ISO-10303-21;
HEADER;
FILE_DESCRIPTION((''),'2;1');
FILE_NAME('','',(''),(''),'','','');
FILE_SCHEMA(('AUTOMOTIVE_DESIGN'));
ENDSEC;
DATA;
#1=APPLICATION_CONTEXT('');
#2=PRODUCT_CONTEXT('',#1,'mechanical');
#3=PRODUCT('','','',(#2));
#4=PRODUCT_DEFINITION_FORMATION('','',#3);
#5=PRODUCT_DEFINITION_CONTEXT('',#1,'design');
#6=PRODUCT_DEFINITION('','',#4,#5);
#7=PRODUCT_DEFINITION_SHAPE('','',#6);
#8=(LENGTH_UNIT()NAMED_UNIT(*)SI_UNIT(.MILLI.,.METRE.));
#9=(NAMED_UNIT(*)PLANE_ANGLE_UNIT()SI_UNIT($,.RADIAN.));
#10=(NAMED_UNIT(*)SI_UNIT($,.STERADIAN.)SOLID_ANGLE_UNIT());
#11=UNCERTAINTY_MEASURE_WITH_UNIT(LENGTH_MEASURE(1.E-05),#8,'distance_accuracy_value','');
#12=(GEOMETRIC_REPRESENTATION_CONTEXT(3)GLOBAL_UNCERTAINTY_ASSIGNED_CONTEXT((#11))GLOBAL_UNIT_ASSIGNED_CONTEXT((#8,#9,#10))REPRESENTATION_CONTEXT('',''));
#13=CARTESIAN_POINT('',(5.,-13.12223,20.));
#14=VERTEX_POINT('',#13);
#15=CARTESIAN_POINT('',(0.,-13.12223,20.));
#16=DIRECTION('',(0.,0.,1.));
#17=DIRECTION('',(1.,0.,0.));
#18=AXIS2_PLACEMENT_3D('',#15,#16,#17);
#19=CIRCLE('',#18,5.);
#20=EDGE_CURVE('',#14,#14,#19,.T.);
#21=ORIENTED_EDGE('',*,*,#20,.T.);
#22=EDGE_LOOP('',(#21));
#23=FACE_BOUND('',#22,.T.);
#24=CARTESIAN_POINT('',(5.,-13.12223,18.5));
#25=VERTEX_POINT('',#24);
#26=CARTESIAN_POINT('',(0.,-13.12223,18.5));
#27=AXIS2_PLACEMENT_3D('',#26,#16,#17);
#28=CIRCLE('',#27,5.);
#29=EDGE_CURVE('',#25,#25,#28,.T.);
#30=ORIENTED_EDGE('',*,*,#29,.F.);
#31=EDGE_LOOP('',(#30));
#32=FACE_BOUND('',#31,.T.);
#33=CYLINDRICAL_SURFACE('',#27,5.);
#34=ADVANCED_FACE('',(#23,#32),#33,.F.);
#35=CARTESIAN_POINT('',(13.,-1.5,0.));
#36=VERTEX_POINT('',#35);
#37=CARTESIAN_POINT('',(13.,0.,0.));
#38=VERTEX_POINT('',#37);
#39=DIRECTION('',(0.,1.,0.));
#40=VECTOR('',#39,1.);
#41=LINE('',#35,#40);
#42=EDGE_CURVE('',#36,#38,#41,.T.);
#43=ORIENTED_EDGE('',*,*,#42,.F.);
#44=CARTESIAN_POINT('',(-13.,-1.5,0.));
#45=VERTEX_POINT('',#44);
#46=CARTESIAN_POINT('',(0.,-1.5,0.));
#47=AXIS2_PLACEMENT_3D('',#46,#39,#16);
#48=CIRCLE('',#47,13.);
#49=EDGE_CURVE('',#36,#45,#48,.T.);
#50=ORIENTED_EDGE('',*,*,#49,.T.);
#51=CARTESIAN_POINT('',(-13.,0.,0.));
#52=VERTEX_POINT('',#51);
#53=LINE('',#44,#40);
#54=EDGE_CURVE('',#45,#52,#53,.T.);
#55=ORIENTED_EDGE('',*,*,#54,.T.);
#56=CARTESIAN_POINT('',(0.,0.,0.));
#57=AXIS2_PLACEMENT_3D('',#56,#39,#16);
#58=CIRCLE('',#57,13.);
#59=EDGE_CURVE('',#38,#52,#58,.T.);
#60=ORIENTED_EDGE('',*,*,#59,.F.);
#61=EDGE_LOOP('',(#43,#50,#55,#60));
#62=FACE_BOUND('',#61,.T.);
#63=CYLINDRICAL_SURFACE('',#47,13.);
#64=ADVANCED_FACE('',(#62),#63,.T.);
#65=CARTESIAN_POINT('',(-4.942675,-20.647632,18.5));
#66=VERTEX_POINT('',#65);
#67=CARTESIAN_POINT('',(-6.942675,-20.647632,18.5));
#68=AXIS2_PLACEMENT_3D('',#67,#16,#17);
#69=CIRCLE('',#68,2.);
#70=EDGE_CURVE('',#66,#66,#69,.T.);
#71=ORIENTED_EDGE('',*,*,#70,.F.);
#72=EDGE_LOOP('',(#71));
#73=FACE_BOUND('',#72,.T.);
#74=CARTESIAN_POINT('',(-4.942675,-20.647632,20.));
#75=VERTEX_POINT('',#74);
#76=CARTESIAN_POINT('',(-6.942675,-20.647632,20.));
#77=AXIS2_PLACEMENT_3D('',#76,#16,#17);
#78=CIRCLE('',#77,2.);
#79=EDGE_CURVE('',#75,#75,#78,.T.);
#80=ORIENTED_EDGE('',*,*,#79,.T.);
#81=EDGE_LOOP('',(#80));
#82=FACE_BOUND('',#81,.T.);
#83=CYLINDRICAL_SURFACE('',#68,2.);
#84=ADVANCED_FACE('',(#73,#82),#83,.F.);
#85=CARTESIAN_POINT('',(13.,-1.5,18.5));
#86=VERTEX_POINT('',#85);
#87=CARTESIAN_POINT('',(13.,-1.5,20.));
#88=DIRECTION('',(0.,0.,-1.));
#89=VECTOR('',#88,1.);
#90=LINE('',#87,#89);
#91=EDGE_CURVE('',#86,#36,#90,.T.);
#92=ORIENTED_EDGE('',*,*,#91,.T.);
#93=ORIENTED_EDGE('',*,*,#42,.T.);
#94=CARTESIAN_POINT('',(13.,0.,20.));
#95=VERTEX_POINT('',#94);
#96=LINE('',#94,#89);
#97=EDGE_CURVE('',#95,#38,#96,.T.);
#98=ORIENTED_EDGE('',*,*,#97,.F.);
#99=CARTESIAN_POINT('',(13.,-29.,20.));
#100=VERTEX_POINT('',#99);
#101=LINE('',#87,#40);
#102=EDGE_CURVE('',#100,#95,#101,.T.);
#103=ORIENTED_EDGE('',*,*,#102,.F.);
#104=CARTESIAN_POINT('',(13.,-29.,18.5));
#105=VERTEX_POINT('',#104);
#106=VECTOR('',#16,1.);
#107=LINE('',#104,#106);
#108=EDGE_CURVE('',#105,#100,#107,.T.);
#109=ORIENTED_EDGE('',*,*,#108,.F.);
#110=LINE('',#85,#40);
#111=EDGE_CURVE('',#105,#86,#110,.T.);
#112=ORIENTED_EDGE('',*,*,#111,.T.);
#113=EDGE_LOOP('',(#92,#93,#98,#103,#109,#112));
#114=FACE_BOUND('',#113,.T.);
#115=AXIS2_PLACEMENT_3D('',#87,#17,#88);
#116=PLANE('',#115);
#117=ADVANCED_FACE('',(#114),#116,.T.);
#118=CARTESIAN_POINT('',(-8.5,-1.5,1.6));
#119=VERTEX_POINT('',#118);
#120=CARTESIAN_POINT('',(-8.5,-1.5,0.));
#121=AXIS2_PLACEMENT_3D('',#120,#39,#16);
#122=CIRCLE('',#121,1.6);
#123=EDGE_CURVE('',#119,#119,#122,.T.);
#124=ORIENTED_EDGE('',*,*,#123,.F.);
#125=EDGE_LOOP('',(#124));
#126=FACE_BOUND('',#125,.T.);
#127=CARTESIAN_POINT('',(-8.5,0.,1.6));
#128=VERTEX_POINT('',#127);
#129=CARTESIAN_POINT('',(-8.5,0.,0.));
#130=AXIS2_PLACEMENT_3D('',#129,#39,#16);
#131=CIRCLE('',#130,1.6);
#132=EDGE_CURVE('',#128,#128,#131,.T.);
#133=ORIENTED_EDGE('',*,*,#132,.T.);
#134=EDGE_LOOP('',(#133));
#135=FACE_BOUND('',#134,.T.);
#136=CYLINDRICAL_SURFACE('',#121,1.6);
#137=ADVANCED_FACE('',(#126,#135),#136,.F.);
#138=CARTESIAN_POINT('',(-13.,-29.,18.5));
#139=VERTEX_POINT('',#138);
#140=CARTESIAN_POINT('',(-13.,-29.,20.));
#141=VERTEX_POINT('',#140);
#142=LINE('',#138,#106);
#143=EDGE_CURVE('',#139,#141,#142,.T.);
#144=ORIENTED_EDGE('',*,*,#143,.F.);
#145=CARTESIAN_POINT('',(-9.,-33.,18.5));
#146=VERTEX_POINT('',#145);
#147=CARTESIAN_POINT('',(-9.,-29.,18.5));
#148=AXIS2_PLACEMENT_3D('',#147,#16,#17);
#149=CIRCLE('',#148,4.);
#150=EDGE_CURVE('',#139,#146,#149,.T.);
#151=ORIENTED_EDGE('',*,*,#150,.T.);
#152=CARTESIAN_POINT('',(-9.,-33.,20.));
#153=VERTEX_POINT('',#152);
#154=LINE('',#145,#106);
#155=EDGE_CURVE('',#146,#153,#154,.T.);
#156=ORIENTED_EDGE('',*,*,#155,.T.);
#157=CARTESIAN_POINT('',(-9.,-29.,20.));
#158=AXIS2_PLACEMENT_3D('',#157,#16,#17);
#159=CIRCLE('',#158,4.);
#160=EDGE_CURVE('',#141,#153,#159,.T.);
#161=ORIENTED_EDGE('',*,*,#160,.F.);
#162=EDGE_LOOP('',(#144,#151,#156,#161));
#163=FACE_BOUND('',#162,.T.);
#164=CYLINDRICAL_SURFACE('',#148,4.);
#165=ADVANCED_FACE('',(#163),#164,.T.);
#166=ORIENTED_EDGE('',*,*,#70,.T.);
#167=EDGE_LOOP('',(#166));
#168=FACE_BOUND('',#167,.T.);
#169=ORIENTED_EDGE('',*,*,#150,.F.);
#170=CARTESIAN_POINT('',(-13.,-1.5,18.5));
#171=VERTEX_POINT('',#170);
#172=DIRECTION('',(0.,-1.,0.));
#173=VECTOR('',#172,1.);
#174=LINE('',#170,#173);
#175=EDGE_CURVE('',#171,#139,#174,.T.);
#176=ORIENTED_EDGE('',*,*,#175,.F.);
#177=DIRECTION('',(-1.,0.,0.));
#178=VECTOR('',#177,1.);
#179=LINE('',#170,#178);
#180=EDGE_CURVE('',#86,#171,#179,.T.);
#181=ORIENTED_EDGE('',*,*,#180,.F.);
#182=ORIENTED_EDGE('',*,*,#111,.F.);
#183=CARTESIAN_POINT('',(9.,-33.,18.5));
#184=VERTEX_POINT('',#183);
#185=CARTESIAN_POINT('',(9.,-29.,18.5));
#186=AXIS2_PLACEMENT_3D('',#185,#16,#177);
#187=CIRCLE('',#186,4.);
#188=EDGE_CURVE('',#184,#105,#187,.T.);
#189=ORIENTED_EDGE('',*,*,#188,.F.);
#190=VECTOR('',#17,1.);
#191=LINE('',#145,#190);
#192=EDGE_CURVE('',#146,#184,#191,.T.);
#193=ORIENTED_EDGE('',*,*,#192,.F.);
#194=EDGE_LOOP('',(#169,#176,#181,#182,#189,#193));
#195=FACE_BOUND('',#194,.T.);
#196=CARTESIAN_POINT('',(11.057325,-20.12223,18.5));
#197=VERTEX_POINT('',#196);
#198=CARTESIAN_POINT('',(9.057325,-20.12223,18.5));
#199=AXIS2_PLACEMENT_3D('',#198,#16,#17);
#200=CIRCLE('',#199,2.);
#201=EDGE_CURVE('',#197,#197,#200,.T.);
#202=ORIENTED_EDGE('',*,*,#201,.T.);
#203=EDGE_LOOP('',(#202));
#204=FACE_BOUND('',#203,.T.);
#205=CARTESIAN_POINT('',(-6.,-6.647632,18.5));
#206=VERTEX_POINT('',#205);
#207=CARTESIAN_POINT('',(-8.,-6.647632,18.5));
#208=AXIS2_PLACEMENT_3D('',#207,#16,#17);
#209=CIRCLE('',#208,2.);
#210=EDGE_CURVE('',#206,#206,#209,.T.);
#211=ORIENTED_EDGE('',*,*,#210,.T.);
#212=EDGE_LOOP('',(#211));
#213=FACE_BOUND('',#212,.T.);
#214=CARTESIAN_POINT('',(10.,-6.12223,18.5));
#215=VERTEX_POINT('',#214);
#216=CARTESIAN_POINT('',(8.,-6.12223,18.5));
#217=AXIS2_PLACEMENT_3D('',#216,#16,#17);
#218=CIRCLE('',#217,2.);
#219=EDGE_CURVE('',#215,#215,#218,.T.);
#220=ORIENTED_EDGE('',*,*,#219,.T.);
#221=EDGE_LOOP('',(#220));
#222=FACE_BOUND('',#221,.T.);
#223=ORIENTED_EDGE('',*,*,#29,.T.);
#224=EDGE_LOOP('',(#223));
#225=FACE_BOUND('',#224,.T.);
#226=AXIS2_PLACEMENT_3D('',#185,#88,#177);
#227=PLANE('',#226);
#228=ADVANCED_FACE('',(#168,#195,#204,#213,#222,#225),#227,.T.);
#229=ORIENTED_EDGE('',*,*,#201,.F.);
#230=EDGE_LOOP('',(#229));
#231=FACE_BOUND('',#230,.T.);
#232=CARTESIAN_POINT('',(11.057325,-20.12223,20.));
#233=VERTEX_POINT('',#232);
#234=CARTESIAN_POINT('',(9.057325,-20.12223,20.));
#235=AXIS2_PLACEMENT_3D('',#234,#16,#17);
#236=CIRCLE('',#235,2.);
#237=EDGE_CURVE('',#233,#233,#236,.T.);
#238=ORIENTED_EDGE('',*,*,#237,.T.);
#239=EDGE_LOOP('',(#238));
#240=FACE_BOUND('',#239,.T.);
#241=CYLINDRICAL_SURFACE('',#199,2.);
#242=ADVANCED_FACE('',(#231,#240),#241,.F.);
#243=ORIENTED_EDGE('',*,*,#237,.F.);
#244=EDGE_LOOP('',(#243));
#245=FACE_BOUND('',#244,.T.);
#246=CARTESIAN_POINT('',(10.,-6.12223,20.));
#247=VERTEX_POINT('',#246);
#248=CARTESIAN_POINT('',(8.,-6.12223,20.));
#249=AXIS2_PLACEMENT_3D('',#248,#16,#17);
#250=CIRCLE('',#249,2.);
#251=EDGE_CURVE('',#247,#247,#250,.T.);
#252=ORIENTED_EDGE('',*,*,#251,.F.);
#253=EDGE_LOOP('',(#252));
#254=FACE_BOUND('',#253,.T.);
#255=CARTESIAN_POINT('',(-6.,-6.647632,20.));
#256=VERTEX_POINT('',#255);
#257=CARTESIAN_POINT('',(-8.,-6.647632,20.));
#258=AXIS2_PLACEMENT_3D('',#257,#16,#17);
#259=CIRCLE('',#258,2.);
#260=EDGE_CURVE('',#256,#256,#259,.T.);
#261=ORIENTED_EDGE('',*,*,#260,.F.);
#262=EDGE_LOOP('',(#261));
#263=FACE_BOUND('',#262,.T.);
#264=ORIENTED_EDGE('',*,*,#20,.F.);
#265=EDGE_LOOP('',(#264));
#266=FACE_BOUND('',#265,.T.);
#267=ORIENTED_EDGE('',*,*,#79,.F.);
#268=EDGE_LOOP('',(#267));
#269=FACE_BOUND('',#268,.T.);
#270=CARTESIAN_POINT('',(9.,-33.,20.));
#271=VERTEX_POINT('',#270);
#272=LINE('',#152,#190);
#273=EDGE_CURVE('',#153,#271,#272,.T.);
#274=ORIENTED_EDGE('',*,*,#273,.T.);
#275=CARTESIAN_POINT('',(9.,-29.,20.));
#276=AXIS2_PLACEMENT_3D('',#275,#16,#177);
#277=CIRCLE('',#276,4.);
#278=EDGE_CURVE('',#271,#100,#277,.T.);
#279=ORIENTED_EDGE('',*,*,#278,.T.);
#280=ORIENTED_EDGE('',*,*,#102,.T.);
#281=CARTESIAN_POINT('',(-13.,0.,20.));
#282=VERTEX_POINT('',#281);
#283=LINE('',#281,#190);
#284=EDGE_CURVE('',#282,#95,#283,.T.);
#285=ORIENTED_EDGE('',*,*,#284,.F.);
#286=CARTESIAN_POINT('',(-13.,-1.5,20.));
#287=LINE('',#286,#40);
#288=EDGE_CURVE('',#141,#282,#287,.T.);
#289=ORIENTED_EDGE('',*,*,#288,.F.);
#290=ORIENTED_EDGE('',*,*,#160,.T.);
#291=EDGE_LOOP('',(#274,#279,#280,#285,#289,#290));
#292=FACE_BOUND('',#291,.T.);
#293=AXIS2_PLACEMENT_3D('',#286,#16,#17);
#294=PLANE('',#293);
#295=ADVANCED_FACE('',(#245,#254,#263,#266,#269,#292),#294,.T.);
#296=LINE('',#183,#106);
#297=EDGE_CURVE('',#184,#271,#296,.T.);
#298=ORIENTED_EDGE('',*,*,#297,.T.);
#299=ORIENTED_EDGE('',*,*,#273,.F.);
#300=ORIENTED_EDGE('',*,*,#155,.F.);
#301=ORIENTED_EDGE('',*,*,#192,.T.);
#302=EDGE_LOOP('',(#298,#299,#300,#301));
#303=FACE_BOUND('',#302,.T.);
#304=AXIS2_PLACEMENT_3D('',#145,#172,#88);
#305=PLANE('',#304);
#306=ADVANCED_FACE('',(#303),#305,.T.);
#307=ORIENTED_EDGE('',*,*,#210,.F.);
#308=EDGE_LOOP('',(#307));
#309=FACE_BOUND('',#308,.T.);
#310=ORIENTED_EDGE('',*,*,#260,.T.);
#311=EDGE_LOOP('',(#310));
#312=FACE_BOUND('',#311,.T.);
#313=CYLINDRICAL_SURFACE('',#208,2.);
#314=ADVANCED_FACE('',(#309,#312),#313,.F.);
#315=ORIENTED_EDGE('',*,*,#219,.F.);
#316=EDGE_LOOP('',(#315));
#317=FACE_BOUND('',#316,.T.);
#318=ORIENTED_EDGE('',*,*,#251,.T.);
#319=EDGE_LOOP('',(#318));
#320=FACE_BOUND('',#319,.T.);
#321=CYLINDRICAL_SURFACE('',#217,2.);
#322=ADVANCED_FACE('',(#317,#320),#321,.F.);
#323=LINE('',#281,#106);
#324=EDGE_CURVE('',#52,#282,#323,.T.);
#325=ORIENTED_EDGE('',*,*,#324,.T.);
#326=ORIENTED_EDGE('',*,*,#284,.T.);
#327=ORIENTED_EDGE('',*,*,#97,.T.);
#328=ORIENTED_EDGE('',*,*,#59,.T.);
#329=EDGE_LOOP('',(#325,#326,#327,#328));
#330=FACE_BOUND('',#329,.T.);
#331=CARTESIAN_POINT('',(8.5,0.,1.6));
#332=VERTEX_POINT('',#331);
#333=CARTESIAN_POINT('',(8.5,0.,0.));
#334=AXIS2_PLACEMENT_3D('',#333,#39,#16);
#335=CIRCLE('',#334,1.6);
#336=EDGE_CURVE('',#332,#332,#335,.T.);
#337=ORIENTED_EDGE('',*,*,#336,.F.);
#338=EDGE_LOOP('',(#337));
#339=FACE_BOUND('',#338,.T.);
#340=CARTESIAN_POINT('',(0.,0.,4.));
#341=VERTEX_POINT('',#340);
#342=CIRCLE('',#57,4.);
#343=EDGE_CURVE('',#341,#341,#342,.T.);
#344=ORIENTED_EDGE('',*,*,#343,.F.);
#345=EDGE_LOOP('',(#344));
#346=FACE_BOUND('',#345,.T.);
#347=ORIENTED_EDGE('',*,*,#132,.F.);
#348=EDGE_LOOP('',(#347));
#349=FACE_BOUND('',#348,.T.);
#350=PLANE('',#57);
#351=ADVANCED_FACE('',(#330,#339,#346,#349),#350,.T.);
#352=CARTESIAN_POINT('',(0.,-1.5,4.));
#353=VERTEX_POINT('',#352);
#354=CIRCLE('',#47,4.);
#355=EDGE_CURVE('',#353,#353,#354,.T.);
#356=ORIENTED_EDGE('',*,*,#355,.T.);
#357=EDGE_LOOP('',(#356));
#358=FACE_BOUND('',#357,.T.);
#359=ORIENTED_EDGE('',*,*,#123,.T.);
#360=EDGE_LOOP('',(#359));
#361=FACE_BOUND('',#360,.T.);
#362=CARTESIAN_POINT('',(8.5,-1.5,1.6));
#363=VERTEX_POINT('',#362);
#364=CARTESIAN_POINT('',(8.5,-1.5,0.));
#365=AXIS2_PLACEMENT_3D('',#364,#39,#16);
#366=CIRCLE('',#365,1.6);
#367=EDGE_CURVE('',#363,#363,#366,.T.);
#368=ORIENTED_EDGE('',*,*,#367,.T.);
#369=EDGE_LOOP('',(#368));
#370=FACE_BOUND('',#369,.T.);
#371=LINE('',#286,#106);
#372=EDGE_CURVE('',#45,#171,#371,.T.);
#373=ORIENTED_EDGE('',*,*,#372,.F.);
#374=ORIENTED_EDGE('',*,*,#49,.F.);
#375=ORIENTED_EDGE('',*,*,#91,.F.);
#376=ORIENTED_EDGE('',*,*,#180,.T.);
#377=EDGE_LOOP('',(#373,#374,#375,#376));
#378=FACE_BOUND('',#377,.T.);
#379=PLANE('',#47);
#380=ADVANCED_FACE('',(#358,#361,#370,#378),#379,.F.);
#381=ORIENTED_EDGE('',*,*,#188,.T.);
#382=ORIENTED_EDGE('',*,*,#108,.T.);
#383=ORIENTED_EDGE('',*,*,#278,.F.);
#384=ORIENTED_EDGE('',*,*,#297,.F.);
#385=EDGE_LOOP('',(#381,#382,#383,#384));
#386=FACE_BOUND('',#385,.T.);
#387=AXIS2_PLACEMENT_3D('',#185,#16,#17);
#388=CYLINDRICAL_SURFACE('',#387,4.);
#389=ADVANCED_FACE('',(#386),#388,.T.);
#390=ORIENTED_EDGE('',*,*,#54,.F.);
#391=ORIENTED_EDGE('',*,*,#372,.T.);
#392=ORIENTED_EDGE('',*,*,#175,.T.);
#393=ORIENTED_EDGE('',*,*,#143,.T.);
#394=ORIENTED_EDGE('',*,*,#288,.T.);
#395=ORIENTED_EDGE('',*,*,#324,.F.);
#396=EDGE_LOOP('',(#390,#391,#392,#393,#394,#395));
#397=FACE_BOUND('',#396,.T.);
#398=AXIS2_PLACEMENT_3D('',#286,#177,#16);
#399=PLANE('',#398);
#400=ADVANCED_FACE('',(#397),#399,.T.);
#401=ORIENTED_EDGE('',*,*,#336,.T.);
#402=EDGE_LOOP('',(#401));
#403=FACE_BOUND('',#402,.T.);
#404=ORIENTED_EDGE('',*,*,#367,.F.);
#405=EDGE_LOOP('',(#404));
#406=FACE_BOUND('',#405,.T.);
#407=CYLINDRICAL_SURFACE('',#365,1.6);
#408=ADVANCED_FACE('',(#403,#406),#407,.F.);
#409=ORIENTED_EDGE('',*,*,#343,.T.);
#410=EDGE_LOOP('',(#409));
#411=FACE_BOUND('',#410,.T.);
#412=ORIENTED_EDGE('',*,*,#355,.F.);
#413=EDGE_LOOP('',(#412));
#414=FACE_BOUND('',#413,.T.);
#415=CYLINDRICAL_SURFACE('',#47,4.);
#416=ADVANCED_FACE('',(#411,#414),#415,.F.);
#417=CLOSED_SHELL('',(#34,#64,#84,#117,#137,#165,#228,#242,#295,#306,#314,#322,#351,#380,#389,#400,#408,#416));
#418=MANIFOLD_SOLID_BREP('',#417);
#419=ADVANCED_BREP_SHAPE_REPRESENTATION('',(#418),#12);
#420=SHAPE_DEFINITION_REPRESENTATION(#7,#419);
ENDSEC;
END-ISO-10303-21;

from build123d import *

# Parameters (mm, degrees)
SKETCH1_R           = 4
SKETCH1_R_2         = 1.6
BOSS_EXTRUDE1_DEPTH = 1.5
SKETCH2_R           = 5
SKETCH2_R_2         = 2
BOSS_EXTRUDE2_DEPTH = 1.5


with BuildPart() as part:
    # Sketch1 → Boss-Extrude1 (new body)
    with BuildSketch(Plane(origin=(0, 0, 0), x_dir=(1, 0, 0), z_dir=(0, 1, 0))):
        with BuildLine():
            Line((-13, -20), (-13, 0))
            ThreePointArc((-13, 0), (0, 13), (13, 0))
            Line((13, 0), (13, -20))
            Line((13, -20), (-13, -20))
        make_face()
        with Locations(Location((0, 0, 0), (0, 0, 270))):
            Circle(SKETCH1_R, mode=Mode.SUBTRACT)
        with Locations(Location((8.5, 0, 0), (0, 0, 270))):
            Circle(SKETCH1_R_2, mode=Mode.SUBTRACT)
        with Locations(Location((-8.5, 0, 0), (0, 0, 270))):
            Circle(SKETCH1_R_2, mode=Mode.SUBTRACT)
    extrude(amount=-BOSS_EXTRUDE1_DEPTH)

    # Sketch2 → Boss-Extrude2 (add)
    with BuildSketch(Plane.XY.offset(20)):
        with BuildLine():
            Line((13, -1.5), (13, -29))
            ThreePointArc((13, -29), (11.828427125, -31.828427125), (9, -33))
            Line((9, -33), (-9, -33))
            ThreePointArc((-9, -33), (-11.828427125, -31.828427125), (-13, -29))
            Line((-13, -29), (-13, -1.5))
            Line((-13, -1.5), (13, -1.5))
        make_face()
        with Locations((0, -13.122230355)):
            Circle(SKETCH2_R, mode=Mode.SUBTRACT)
        with Locations((8, -6.122230355)):
            Circle(SKETCH2_R_2, mode=Mode.SUBTRACT)
        with Locations((-8, -6.647631856)):
            Circle(SKETCH2_R_2, mode=Mode.SUBTRACT)
        with Locations((-6.942675301, -20.647631856)):
            Circle(SKETCH2_R_2, mode=Mode.SUBTRACT)
        with Locations((9.057324699, -20.122230355)):
            Circle(SKETCH2_R_2, mode=Mode.SUBTRACT)
    extrude(amount=-BOSS_EXTRUDE2_DEPTH)


solid = part.part
